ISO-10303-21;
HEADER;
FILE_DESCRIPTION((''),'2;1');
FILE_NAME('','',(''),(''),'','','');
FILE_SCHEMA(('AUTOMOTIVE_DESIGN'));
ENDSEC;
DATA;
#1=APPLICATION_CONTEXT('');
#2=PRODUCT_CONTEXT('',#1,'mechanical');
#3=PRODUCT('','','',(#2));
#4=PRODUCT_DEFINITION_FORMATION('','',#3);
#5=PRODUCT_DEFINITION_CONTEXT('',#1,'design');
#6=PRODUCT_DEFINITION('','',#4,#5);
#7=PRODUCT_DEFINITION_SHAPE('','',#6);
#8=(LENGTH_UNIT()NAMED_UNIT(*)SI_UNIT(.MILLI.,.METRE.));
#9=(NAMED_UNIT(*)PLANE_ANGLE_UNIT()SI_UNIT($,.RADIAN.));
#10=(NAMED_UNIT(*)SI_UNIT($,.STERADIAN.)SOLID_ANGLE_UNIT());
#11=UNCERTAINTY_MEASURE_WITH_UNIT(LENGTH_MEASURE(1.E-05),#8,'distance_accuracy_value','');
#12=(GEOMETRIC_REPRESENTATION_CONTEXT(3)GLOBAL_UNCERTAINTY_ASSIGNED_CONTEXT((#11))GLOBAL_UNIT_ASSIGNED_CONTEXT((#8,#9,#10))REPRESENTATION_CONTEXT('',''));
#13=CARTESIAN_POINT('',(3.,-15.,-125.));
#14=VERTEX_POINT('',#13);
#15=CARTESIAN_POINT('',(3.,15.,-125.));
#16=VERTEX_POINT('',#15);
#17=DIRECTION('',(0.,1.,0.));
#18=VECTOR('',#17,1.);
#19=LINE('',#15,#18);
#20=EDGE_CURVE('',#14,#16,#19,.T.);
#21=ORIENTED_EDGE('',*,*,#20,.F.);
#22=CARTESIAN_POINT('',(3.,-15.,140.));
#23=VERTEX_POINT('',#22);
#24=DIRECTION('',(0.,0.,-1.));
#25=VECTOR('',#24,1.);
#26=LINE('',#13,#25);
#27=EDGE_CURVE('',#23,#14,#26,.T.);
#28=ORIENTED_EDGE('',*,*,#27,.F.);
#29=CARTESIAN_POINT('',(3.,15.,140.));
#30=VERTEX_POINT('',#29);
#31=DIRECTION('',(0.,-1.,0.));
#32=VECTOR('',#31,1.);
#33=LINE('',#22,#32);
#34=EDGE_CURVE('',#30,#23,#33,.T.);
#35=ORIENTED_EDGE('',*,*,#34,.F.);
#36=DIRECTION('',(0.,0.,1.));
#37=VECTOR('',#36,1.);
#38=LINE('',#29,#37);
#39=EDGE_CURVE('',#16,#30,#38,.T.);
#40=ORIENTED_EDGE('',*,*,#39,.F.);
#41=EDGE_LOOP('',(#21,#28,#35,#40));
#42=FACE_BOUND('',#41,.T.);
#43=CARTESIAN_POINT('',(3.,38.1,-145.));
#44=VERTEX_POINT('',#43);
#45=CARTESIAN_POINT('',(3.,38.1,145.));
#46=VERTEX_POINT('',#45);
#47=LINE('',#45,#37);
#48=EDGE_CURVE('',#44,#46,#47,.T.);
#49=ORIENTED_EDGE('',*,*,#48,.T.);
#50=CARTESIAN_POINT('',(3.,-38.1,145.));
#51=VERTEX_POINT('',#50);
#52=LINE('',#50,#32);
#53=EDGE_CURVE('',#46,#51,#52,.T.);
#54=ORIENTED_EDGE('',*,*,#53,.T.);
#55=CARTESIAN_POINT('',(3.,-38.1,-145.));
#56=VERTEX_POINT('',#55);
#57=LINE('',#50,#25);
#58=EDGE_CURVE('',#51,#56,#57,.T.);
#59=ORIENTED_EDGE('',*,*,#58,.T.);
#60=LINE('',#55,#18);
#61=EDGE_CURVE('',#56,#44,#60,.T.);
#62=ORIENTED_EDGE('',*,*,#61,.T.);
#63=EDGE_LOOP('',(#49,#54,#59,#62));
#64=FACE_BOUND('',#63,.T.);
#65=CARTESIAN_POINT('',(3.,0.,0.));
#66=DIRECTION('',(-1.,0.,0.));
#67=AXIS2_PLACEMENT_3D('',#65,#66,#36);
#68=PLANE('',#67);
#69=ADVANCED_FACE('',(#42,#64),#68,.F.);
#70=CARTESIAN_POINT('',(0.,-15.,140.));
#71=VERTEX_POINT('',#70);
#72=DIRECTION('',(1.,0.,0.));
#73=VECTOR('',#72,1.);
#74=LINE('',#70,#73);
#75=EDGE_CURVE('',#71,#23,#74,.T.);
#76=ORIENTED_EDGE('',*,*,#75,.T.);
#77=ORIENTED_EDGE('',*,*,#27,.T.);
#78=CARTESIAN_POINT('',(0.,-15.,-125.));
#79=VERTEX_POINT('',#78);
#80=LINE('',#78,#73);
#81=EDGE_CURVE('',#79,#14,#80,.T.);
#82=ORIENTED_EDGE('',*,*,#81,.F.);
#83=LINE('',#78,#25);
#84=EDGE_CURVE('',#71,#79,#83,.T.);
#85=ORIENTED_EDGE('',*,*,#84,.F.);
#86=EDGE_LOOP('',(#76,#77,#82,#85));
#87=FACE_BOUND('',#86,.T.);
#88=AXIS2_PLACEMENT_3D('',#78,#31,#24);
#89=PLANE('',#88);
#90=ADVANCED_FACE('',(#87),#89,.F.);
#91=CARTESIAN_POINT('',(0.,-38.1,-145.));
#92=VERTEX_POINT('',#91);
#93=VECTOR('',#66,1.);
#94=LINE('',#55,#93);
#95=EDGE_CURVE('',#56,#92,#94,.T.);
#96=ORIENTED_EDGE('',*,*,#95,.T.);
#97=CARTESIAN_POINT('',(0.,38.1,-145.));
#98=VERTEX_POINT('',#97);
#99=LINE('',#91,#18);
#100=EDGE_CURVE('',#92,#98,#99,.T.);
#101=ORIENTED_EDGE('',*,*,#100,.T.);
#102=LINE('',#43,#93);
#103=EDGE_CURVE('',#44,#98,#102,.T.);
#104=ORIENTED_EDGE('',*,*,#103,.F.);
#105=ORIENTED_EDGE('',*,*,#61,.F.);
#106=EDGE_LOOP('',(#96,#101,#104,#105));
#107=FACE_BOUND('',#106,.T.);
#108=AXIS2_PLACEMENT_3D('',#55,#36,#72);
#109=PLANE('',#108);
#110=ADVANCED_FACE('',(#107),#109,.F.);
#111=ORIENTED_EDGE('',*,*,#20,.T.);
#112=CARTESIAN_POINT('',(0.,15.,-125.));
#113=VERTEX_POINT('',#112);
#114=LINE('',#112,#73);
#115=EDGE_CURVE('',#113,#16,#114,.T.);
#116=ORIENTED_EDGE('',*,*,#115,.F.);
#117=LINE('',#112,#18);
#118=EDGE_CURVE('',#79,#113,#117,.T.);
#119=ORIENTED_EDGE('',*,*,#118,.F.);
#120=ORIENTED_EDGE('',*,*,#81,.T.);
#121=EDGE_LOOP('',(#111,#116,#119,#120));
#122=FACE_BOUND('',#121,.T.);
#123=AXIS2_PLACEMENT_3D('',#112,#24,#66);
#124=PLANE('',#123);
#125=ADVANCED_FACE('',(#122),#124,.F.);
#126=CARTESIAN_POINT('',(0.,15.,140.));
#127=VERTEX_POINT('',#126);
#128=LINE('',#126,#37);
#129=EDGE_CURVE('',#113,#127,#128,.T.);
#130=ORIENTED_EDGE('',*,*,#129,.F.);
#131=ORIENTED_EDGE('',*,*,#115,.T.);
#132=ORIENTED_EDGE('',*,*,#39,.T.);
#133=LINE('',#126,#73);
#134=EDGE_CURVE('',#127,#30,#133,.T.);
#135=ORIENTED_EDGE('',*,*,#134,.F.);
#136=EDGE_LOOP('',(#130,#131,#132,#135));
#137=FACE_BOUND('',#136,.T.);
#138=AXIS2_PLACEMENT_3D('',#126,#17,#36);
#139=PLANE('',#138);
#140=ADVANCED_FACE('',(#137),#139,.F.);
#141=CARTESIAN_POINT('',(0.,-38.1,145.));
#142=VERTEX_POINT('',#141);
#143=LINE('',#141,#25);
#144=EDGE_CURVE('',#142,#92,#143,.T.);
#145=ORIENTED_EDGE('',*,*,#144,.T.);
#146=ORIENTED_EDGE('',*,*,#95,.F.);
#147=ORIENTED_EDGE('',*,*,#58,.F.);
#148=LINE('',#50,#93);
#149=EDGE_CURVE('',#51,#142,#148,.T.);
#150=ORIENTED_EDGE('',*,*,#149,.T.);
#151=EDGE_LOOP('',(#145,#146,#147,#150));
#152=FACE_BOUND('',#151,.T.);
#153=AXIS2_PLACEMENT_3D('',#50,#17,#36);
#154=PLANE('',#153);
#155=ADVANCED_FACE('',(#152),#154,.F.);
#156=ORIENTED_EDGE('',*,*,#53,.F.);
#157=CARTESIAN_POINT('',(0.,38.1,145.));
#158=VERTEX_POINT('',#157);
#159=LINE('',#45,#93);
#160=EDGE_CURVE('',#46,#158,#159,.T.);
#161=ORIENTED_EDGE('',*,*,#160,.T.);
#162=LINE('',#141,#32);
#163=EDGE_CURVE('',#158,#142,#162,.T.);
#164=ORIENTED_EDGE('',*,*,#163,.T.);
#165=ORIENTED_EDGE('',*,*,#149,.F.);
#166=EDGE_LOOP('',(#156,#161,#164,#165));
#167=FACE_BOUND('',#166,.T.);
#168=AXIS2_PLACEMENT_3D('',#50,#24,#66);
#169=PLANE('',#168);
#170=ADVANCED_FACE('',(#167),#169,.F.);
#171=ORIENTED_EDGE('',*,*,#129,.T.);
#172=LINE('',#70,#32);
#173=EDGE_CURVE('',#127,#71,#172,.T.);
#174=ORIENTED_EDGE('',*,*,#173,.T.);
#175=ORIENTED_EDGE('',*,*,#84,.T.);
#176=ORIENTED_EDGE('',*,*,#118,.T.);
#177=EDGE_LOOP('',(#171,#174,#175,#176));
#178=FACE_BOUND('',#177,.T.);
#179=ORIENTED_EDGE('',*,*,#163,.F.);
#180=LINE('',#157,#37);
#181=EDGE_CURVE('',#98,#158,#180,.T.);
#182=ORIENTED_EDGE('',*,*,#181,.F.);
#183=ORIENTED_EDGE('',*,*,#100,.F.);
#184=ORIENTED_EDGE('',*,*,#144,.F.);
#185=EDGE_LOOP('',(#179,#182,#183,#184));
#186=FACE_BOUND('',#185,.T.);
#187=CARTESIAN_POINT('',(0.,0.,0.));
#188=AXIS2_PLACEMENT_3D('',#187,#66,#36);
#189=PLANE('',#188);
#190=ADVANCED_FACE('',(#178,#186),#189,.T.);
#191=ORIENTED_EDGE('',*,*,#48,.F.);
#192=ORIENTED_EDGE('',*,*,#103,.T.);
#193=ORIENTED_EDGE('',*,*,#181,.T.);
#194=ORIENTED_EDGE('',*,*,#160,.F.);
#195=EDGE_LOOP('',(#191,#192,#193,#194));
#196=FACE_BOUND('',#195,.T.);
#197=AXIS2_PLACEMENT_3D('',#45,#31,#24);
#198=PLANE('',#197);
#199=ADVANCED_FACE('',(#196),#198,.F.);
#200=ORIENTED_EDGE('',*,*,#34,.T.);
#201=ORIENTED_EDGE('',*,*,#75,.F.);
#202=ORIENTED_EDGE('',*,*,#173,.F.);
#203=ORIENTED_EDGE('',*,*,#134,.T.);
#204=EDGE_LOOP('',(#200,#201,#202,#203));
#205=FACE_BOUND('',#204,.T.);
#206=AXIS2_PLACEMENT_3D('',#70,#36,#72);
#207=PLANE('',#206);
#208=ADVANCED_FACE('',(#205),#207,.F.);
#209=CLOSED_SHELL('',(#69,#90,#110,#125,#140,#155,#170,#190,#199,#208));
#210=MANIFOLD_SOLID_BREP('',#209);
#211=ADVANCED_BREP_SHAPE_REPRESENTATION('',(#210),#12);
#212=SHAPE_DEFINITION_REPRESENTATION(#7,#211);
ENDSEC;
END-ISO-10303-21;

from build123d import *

# Parameters (mm, degrees)
SKETCH1_W           = 290
SKETCH1_H           = 76.2
BOSS_EXTRUDE1_DEPTH = 3
SKETCH3_W           = 265
SKETCH3_H           = 30
CUT_EXTRUDE1_DEPTH  = 4


with BuildPart() as part:
    # Sketch1 → Boss-Extrude1 (new body)
    with BuildSketch(Plane(origin=(0, 0, 0), x_dir=(0, 0, -1), z_dir=(1, 0, 0))):
        Rectangle(SKETCH1_W, SKETCH1_H)
    extrude(amount=BOSS_EXTRUDE1_DEPTH)

    # Sketch3 → Cut-Extrude1 (cut, through all)
    with BuildSketch(Plane(origin=(3, 0, 0), x_dir=(0, 0, -1), z_dir=(1, 0, 0))):
        with Locations((-7.5, 0)):
            Rectangle(SKETCH3_W, SKETCH3_H)
    extrude(amount=-CUT_EXTRUDE1_DEPTH, mode=Mode.SUBTRACT)


solid = part.part
